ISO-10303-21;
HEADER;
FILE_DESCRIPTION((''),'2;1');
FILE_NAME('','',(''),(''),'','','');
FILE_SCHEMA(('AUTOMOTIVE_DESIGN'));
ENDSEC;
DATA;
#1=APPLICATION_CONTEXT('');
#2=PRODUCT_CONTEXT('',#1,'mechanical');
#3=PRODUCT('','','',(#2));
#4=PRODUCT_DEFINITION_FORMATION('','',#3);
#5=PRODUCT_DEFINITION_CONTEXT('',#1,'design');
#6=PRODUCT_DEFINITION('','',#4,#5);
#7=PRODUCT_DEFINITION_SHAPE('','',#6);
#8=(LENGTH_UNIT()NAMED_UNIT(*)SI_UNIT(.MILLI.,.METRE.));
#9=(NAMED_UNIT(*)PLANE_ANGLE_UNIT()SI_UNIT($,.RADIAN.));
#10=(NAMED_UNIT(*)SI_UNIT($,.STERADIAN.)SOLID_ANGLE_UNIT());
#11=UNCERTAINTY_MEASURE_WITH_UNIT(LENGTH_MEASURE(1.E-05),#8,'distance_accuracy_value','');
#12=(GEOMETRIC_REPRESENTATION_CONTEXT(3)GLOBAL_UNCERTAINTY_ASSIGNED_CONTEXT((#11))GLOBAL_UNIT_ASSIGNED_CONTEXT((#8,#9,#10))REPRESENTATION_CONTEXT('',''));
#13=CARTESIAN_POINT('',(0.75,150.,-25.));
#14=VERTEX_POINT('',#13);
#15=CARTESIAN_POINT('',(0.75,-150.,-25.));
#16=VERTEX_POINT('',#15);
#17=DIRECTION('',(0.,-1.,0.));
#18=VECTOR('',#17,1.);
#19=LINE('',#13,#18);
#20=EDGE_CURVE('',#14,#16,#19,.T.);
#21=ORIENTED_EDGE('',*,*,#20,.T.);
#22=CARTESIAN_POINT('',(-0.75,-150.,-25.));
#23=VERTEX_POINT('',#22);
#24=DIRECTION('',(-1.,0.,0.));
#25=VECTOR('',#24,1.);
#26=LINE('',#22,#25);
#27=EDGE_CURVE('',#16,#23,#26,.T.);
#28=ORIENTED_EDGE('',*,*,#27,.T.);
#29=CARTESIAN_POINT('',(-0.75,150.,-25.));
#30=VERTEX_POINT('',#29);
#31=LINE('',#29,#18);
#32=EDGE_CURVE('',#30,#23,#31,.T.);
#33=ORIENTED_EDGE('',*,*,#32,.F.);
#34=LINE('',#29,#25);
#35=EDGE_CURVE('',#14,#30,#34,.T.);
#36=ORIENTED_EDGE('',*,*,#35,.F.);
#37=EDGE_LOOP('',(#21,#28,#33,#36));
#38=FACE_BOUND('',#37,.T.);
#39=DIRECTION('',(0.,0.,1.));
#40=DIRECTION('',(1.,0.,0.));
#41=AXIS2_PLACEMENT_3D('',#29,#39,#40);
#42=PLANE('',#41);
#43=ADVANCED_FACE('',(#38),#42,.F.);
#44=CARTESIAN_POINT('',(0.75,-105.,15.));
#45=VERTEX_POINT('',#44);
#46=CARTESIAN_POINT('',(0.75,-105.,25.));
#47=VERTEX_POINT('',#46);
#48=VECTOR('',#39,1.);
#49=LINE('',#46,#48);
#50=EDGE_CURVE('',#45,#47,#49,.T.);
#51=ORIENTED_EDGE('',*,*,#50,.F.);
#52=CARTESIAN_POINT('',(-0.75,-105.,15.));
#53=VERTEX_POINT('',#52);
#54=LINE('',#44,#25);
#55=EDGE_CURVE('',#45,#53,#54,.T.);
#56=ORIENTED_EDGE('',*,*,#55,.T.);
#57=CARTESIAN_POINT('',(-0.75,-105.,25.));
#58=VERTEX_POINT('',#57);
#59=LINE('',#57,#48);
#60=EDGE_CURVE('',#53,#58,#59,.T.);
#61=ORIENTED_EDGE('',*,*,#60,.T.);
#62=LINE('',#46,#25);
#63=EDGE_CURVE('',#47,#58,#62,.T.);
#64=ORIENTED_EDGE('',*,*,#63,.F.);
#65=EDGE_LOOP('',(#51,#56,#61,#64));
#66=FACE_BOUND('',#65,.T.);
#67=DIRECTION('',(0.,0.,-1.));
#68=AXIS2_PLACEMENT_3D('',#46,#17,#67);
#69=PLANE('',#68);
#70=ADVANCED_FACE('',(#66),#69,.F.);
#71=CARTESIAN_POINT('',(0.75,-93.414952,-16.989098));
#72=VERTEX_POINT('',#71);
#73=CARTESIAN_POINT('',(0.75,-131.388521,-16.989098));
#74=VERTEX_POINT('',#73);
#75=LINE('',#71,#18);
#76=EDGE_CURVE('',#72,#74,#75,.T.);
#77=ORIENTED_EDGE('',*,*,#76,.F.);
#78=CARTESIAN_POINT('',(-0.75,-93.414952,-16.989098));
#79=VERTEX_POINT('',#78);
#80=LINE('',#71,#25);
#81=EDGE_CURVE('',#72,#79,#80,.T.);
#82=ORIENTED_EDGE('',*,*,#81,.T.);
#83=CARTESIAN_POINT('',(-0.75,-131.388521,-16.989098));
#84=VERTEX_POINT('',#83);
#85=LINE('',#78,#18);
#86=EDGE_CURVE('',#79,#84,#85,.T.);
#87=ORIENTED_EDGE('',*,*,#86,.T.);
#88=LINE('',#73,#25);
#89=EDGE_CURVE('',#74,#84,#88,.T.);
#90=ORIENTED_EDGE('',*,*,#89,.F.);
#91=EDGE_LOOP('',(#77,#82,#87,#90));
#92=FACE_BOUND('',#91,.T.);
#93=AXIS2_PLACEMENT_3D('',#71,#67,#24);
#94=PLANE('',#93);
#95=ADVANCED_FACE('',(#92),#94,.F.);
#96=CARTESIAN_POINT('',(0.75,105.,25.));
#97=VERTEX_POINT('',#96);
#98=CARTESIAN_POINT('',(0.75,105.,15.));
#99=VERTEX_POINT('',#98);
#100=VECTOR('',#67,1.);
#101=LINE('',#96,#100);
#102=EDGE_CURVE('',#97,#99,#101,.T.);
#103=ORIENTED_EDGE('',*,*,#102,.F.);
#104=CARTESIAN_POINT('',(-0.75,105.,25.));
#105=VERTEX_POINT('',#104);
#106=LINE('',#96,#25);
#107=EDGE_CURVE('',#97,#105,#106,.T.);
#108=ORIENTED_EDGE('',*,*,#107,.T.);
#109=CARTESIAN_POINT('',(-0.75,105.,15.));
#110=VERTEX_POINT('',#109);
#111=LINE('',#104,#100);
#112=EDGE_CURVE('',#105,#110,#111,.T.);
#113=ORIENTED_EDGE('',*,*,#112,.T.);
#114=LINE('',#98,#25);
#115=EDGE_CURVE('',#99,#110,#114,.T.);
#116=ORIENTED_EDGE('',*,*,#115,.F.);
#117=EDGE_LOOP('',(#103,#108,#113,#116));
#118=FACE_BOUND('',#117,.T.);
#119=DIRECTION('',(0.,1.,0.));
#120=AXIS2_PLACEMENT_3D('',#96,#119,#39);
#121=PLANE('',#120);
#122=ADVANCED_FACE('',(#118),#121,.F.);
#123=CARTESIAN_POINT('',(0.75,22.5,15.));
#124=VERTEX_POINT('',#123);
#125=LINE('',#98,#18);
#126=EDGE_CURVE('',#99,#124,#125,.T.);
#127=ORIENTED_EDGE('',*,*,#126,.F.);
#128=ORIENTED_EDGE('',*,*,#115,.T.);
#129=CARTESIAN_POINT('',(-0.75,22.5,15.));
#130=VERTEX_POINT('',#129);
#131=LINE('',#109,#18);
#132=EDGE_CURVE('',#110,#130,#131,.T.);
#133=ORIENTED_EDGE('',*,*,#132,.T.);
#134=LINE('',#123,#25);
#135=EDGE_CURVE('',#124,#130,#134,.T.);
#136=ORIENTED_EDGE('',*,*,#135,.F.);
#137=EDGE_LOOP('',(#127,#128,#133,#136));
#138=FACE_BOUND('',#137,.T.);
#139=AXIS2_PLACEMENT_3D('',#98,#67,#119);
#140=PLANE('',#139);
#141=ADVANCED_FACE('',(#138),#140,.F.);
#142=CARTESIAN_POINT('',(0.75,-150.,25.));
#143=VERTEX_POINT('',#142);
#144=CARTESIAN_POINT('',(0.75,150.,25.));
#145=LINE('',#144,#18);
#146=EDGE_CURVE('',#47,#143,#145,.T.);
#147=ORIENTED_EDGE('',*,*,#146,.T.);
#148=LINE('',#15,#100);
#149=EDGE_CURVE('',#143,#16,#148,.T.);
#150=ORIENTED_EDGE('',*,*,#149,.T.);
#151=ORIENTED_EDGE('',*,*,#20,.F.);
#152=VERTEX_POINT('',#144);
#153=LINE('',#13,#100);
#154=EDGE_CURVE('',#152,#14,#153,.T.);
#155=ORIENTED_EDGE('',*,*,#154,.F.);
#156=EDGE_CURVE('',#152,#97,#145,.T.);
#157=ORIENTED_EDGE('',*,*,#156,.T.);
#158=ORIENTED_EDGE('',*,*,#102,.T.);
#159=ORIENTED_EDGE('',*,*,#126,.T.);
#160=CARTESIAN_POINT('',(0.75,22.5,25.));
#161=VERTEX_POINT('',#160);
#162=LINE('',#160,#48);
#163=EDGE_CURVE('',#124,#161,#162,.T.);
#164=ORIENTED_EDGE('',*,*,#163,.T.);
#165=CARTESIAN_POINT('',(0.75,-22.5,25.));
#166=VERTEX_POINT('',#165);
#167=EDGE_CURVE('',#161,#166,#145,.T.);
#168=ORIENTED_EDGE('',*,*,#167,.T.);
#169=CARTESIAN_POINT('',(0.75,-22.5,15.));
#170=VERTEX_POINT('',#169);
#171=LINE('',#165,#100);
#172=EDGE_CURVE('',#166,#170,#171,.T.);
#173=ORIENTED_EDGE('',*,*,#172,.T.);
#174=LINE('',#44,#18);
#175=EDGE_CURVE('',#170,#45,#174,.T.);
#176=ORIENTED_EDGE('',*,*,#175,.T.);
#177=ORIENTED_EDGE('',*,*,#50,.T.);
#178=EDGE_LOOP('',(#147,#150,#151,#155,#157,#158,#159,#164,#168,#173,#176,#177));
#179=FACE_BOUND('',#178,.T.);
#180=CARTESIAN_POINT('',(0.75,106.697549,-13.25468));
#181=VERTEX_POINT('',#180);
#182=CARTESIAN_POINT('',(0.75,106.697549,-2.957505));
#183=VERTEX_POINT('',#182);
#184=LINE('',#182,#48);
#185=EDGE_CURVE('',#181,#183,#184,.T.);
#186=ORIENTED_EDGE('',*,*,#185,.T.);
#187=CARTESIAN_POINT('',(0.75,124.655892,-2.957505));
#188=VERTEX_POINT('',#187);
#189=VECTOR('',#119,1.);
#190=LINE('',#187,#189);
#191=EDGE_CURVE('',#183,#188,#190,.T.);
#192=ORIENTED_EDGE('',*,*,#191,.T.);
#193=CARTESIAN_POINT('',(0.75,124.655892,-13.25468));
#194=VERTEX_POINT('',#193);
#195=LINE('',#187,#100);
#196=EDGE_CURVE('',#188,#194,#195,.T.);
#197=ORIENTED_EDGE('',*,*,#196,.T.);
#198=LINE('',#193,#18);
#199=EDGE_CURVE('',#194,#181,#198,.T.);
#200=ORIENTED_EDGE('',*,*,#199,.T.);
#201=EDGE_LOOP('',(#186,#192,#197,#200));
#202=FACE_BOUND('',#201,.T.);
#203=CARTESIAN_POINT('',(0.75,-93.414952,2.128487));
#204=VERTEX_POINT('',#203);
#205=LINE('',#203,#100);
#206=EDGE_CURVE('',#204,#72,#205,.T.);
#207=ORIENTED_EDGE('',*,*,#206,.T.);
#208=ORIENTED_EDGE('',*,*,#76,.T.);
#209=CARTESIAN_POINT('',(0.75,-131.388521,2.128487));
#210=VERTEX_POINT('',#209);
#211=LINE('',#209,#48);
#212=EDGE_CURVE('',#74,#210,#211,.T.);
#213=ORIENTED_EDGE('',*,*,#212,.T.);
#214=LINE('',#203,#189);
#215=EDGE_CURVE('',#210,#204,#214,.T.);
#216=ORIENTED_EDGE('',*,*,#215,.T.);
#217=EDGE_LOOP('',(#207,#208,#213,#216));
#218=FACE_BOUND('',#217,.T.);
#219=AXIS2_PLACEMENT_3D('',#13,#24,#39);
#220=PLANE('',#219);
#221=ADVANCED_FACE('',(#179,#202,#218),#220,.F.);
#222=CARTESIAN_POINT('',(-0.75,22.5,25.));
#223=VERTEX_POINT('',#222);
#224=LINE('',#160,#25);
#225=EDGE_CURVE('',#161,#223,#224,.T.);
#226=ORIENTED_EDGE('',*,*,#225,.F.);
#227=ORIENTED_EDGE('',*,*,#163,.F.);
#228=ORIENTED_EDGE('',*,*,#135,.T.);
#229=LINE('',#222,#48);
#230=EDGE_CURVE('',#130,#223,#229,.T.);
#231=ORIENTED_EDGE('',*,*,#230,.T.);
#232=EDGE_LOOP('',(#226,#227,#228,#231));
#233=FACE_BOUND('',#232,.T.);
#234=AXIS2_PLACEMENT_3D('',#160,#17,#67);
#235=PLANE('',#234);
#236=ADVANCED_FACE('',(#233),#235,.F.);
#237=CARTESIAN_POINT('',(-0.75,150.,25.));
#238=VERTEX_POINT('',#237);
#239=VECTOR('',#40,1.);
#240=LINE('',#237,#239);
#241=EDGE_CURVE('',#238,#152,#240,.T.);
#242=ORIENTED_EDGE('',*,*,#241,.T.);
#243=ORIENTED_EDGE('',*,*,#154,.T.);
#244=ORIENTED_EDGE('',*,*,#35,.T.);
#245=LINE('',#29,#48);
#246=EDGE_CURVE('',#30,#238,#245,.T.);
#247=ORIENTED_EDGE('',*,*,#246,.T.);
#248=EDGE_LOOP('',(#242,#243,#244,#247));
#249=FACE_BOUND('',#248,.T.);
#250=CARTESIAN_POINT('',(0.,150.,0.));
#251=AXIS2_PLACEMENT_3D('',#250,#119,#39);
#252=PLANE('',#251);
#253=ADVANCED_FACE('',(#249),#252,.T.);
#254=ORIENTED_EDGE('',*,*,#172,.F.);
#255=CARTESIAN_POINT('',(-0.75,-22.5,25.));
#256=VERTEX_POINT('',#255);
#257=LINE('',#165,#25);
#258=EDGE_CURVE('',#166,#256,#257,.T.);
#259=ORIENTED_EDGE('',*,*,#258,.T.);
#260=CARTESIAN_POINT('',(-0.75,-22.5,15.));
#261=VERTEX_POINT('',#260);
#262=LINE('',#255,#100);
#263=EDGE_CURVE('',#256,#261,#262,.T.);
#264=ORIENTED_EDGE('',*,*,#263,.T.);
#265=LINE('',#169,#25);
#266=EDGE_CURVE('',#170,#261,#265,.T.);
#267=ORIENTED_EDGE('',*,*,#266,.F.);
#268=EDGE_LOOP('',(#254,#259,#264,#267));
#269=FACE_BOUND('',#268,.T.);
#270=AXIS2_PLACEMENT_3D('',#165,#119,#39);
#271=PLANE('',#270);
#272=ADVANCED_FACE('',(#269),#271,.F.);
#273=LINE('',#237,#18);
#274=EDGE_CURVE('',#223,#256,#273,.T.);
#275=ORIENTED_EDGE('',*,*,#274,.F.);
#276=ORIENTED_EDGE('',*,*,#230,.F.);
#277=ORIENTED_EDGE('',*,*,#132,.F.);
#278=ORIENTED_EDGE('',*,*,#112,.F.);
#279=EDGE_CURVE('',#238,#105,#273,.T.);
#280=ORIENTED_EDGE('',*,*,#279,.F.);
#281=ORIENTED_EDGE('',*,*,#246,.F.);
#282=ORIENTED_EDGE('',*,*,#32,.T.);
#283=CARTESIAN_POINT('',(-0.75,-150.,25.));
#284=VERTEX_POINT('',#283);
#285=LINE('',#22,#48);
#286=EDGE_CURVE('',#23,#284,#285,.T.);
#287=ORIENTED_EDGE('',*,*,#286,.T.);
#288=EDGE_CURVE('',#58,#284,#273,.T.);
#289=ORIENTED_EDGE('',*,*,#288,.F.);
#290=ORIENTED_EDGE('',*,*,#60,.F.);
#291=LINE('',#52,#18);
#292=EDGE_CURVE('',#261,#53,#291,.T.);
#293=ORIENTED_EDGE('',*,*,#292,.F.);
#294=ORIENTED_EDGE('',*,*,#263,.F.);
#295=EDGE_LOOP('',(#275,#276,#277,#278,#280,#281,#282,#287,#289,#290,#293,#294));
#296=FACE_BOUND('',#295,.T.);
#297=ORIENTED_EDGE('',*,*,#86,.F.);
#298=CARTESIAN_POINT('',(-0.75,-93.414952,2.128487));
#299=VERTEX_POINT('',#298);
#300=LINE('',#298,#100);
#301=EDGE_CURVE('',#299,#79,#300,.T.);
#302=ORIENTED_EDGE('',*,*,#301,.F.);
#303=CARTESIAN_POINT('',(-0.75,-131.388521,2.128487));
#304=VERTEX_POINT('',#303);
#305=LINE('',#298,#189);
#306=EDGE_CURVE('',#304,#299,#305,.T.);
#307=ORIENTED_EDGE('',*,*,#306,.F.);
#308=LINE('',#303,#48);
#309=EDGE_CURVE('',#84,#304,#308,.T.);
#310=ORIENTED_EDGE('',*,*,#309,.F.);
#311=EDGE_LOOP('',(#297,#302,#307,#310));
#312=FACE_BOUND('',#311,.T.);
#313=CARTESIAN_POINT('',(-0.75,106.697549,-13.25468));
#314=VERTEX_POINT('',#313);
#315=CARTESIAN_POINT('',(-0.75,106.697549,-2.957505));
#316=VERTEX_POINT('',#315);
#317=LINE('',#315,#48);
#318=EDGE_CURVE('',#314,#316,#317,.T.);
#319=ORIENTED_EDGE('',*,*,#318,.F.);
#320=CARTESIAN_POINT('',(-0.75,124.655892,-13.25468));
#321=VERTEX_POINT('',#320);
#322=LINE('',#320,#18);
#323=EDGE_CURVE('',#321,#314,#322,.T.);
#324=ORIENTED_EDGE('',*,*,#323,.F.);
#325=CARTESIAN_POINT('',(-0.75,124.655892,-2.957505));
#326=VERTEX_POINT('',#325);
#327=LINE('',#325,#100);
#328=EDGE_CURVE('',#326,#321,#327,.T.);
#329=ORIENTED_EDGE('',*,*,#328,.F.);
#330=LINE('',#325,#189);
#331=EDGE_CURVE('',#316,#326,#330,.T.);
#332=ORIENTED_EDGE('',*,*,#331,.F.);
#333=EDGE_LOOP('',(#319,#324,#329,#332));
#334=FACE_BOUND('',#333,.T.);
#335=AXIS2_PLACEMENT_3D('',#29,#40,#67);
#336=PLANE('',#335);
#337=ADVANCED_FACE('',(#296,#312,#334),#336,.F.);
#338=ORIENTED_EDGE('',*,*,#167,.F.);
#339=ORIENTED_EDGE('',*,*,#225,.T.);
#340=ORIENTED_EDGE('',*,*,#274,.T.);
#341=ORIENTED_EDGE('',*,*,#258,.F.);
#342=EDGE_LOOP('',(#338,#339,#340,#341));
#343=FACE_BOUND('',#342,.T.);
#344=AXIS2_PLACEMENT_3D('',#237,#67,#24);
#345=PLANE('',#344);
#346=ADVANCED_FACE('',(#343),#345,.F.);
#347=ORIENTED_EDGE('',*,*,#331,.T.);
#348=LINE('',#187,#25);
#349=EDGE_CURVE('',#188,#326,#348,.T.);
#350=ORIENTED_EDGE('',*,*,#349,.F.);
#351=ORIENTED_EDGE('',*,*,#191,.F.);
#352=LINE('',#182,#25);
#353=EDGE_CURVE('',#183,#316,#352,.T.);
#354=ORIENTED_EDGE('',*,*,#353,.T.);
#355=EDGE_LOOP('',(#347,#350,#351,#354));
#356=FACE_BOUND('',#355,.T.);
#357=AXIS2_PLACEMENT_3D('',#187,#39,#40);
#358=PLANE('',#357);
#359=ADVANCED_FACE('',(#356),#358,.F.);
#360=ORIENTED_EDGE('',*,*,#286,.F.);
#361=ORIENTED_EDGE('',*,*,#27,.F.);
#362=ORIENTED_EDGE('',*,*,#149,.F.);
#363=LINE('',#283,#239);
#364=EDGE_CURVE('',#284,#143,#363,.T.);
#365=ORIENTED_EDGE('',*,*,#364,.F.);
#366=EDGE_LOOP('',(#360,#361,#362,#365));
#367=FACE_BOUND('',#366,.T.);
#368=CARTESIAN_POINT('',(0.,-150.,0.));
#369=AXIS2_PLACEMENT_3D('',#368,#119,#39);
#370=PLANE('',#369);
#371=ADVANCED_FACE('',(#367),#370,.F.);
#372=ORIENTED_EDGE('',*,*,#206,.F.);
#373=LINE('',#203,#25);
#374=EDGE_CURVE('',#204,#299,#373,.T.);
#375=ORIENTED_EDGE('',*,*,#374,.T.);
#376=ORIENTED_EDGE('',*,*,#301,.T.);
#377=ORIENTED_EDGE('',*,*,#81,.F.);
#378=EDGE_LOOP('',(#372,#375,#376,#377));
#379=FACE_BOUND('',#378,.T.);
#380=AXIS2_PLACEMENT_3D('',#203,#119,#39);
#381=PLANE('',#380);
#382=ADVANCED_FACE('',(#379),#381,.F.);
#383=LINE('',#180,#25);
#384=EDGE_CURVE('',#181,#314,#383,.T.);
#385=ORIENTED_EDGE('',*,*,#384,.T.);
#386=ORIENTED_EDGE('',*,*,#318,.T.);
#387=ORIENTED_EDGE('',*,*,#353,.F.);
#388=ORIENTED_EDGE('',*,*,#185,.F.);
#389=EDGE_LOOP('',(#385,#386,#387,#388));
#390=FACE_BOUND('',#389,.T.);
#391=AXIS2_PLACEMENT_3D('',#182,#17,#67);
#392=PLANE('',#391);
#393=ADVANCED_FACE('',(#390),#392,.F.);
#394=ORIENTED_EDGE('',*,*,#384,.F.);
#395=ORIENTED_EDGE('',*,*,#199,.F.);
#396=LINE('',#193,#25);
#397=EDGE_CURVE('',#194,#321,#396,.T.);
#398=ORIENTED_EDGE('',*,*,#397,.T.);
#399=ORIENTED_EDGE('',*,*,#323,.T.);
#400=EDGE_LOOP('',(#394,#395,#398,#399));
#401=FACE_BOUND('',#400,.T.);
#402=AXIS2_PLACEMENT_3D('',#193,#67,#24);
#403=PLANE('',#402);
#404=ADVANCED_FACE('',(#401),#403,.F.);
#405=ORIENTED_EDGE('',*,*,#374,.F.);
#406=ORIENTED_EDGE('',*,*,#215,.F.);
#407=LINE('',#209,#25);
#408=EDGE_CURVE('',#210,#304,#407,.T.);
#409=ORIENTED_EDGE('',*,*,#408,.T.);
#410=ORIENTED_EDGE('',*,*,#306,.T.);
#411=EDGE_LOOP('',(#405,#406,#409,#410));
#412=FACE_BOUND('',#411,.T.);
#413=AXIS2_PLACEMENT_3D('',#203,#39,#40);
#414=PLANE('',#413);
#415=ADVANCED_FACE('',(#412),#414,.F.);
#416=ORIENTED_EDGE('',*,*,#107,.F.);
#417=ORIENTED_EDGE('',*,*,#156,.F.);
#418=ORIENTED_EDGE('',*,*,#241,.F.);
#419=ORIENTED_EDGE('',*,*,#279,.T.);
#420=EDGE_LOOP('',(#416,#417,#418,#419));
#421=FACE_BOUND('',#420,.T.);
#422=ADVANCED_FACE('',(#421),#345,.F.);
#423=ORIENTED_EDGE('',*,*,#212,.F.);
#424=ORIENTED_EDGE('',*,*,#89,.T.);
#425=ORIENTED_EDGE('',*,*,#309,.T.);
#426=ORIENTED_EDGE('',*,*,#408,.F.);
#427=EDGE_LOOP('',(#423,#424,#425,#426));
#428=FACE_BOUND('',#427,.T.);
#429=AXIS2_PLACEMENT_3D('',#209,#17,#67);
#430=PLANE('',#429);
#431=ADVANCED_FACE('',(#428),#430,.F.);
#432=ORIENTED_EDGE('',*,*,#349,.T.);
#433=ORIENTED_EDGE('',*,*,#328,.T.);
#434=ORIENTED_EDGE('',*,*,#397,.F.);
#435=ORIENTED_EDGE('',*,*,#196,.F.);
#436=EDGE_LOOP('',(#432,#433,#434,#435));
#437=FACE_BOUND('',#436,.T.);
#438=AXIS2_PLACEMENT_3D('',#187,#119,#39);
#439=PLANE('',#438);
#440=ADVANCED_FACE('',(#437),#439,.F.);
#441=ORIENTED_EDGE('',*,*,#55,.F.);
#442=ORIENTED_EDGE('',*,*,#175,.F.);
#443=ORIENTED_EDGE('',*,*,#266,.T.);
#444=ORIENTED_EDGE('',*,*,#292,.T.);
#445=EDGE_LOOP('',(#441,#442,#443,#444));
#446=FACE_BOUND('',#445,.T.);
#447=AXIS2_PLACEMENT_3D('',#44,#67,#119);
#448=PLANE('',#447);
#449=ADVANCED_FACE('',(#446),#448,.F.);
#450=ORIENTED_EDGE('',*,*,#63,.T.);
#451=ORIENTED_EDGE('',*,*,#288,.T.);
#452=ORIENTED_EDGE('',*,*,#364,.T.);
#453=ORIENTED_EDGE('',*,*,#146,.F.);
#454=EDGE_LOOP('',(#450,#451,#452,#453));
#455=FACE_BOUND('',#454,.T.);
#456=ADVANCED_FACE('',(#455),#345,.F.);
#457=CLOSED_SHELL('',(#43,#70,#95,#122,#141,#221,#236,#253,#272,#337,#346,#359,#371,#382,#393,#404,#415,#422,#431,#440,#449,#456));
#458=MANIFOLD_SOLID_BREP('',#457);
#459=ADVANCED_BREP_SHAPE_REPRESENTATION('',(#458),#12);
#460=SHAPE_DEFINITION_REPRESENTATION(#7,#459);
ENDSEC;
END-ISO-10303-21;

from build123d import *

# Parameters (mm, degrees)
SKETCH1_W           = 1.5
SKETCH1_H           = 50
BOSS_EXTRUDE1_DEPTH = 150
SKETCH2_W           = 10
SKETCH2_H           = 82.5
CUT_EXTRUDE1_DEPTH  = 2.5
SKETCH3_W           = 19.117585256
SKETCH3_H           = 37.973569139
POWERCONN_DEPTH     = 2.5
SKETCH4_W           = 10.297175775
SKETCH4_H           = 17.958343038
USBCONN_DEPTH       = 2.5


with BuildPart() as part:
    # Sketch1 → Boss-Extrude1 (new body, symmetric)
    with BuildSketch(Plane(origin=(0, 0, 0), x_dir=(1, 0, 0), z_dir=(0, 1, 0))):
        Rectangle(SKETCH1_W, SKETCH1_H)
    extrude(amount=BOSS_EXTRUDE1_DEPTH, both=True)

    # Sketch2 → Cut-Extrude1 (cut, through all)
    with BuildSketch(Plane.ZY.offset(0.75)):
        with Locations((20, 63.75)):
            Rectangle(SKETCH2_W, SKETCH2_H)
        with Locations((20, -63.75)):
            Rectangle(SKETCH2_W, SKETCH2_H)
    extrude(amount=-CUT_EXTRUDE1_DEPTH, mode=Mode.SUBTRACT)

    # Sketch3 → PowerConn (cut, through all)
    with BuildSketch(Plane.ZY.offset(0.75)):
        with Locations((-7.430305419, -112.401736371)):
            Rectangle(SKETCH3_W, SKETCH3_H)
    extrude(amount=-POWERCONN_DEPTH, mode=Mode.SUBTRACT)

    # Sketch4 → UsbConn (cut, through all)
    with BuildSketch(Plane.ZY.offset(0.75)):
        with Locations((-8.106092581, 115.676720654)):
            Rectangle(SKETCH4_W, SKETCH4_H)
    extrude(amount=-USBCONN_DEPTH, mode=Mode.SUBTRACT)


solid = part.part
